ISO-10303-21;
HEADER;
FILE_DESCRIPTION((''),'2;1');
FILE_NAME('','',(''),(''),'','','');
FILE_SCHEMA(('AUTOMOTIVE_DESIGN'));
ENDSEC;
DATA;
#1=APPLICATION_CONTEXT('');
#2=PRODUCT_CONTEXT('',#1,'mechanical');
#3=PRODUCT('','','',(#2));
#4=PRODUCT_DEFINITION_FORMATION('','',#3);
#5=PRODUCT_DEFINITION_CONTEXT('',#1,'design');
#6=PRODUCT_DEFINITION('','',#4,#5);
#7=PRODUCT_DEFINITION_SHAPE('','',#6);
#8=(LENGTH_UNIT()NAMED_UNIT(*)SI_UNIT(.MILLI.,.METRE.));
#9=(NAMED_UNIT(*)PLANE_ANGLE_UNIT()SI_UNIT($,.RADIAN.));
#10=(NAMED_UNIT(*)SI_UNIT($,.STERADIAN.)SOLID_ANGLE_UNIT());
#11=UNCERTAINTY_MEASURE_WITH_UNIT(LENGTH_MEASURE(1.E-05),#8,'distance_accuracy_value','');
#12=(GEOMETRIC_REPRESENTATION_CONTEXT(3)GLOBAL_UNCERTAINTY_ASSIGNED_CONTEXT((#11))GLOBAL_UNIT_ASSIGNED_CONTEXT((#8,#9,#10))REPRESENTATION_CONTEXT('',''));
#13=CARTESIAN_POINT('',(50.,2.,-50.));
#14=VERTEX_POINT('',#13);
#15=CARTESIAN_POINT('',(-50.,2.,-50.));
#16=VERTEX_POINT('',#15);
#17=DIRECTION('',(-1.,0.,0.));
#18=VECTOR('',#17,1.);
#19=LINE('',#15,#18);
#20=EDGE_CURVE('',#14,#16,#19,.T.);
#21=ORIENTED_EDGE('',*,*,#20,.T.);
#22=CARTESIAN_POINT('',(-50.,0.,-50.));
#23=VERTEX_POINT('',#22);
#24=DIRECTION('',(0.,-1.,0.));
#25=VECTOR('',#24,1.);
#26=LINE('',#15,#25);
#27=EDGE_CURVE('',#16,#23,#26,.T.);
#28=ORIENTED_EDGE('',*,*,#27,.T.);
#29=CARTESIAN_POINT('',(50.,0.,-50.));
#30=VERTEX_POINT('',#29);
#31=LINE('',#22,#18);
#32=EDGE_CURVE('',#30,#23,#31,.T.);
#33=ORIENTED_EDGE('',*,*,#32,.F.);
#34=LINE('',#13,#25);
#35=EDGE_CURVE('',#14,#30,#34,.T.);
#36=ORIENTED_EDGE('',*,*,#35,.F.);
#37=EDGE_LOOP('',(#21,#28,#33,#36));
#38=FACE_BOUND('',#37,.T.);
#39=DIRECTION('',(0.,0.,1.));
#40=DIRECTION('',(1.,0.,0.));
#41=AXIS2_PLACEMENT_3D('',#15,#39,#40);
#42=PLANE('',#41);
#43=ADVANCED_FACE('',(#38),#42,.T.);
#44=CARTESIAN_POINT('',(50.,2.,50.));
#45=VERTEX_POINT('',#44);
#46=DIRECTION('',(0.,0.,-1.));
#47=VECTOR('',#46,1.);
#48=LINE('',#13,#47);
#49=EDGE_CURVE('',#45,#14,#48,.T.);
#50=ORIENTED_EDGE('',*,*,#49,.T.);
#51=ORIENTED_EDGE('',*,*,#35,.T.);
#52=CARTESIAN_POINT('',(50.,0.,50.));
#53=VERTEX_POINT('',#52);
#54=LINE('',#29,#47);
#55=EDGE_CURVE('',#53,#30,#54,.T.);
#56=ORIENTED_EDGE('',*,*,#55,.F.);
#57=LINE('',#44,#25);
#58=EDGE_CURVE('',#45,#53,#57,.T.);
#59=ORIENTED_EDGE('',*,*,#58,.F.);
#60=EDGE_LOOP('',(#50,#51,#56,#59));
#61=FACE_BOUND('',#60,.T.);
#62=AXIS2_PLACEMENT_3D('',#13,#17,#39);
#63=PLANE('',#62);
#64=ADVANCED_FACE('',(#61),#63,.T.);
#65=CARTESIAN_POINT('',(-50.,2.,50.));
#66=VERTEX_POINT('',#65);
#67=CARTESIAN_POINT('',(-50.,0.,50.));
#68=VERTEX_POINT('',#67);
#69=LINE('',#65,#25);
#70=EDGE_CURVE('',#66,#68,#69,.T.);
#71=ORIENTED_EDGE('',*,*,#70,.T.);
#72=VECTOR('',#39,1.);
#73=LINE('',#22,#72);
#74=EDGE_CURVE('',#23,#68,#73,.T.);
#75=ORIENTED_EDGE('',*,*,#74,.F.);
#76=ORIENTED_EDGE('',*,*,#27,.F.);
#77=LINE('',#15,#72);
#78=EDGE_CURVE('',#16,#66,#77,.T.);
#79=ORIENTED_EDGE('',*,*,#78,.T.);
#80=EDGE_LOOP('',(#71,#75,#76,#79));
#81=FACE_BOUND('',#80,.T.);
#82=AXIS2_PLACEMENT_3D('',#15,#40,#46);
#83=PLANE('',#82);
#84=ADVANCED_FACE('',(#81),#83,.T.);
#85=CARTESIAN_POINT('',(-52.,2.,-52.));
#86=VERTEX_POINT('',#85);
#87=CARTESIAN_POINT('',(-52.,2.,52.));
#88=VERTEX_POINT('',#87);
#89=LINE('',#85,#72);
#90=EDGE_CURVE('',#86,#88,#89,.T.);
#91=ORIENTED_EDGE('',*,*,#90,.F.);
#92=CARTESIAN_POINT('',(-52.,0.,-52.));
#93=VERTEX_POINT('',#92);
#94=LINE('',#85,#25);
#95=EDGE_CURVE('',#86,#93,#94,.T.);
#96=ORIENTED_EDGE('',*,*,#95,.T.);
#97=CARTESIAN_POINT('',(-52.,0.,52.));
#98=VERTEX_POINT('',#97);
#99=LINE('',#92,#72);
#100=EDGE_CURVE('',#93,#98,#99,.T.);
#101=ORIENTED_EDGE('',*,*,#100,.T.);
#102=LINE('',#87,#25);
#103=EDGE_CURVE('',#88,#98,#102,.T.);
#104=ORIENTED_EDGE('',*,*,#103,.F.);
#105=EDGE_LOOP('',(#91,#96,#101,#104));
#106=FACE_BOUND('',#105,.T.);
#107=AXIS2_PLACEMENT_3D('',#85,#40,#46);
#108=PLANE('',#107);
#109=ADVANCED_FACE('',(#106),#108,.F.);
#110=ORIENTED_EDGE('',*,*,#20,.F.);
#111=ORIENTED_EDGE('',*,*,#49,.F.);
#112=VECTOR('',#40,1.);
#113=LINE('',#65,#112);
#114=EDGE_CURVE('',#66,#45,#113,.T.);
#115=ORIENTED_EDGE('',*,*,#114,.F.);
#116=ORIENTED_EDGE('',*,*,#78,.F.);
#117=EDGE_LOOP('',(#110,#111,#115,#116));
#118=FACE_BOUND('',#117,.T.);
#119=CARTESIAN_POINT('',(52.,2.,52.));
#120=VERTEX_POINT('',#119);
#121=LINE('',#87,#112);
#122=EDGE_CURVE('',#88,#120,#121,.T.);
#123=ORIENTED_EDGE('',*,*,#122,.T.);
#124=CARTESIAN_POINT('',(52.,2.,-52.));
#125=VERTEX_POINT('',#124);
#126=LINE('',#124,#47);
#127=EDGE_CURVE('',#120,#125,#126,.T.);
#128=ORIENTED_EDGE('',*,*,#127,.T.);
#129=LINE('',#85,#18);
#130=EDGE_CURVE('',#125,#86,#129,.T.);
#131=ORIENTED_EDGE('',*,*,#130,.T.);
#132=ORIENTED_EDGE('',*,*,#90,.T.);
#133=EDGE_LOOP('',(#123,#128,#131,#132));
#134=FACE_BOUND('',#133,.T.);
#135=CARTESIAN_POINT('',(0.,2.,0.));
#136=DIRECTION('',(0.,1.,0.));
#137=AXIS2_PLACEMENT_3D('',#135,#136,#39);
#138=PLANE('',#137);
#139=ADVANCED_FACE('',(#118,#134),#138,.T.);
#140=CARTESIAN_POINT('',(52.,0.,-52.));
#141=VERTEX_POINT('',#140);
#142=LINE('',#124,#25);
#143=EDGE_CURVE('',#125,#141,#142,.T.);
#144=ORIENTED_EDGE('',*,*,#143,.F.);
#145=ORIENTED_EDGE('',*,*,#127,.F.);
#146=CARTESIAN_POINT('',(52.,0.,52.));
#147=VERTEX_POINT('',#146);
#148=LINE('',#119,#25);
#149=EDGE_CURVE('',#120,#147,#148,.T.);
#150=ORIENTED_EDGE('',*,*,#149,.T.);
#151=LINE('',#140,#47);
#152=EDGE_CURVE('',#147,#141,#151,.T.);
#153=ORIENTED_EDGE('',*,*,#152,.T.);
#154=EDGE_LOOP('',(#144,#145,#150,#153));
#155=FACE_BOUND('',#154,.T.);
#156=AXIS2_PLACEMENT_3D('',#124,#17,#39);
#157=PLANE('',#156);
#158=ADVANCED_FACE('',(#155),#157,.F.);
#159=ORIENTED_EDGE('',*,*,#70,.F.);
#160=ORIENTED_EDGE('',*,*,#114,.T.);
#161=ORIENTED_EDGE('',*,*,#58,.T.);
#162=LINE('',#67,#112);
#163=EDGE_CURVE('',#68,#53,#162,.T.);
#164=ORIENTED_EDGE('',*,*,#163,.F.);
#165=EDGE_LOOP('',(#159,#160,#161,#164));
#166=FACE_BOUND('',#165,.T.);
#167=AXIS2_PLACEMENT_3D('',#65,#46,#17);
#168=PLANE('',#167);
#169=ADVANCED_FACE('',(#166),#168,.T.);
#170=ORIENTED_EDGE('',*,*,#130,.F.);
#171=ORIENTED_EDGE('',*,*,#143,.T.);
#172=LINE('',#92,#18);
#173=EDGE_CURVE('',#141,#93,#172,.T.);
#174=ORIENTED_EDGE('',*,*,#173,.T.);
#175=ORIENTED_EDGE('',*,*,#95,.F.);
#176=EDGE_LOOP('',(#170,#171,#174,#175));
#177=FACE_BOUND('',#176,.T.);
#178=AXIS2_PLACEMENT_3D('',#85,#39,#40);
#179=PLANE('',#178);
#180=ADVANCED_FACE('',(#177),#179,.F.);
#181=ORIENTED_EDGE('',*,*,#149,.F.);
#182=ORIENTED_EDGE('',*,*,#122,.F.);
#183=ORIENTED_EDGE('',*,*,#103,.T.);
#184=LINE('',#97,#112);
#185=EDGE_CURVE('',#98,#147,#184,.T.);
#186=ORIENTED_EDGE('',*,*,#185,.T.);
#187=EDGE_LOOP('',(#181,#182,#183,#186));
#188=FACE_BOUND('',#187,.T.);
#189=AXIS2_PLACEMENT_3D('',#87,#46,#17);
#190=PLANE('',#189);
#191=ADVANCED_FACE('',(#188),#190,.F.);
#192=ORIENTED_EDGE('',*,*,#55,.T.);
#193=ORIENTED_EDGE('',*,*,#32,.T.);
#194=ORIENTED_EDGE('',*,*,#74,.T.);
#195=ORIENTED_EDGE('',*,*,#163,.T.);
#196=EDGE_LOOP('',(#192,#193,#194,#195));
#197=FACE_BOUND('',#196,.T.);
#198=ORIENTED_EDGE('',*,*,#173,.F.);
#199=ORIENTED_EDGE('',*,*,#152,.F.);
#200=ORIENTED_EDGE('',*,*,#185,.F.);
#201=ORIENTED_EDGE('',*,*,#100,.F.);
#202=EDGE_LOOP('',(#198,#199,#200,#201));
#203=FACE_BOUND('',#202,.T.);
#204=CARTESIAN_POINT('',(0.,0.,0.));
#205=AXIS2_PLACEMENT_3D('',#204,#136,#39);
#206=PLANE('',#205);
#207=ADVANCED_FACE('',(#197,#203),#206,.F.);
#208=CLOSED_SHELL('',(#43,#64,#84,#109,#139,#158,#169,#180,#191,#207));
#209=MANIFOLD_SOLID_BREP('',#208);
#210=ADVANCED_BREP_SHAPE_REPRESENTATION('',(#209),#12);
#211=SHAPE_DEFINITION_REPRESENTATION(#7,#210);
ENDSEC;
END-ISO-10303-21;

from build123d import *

# Parameters (mm, degrees)
SKETCH1_W           = 104
SKETCH1_H           = 104
SKETCH1_W_2         = 100
SKETCH1_H_2         = 100
BOSS_EXTRUDE1_DEPTH = 2


with BuildPart() as part:
    # Sketch1 → Boss-Extrude1 (new body)
    with BuildSketch(Plane(origin=(0, 0, 0), x_dir=(1, 0, 0), z_dir=(0, 1, 0))):
        Rectangle(SKETCH1_W, SKETCH1_H)
        Rectangle(SKETCH1_W_2, SKETCH1_H_2, mode=Mode.SUBTRACT)
    extrude(amount=BOSS_EXTRUDE1_DEPTH)


solid = part.part
